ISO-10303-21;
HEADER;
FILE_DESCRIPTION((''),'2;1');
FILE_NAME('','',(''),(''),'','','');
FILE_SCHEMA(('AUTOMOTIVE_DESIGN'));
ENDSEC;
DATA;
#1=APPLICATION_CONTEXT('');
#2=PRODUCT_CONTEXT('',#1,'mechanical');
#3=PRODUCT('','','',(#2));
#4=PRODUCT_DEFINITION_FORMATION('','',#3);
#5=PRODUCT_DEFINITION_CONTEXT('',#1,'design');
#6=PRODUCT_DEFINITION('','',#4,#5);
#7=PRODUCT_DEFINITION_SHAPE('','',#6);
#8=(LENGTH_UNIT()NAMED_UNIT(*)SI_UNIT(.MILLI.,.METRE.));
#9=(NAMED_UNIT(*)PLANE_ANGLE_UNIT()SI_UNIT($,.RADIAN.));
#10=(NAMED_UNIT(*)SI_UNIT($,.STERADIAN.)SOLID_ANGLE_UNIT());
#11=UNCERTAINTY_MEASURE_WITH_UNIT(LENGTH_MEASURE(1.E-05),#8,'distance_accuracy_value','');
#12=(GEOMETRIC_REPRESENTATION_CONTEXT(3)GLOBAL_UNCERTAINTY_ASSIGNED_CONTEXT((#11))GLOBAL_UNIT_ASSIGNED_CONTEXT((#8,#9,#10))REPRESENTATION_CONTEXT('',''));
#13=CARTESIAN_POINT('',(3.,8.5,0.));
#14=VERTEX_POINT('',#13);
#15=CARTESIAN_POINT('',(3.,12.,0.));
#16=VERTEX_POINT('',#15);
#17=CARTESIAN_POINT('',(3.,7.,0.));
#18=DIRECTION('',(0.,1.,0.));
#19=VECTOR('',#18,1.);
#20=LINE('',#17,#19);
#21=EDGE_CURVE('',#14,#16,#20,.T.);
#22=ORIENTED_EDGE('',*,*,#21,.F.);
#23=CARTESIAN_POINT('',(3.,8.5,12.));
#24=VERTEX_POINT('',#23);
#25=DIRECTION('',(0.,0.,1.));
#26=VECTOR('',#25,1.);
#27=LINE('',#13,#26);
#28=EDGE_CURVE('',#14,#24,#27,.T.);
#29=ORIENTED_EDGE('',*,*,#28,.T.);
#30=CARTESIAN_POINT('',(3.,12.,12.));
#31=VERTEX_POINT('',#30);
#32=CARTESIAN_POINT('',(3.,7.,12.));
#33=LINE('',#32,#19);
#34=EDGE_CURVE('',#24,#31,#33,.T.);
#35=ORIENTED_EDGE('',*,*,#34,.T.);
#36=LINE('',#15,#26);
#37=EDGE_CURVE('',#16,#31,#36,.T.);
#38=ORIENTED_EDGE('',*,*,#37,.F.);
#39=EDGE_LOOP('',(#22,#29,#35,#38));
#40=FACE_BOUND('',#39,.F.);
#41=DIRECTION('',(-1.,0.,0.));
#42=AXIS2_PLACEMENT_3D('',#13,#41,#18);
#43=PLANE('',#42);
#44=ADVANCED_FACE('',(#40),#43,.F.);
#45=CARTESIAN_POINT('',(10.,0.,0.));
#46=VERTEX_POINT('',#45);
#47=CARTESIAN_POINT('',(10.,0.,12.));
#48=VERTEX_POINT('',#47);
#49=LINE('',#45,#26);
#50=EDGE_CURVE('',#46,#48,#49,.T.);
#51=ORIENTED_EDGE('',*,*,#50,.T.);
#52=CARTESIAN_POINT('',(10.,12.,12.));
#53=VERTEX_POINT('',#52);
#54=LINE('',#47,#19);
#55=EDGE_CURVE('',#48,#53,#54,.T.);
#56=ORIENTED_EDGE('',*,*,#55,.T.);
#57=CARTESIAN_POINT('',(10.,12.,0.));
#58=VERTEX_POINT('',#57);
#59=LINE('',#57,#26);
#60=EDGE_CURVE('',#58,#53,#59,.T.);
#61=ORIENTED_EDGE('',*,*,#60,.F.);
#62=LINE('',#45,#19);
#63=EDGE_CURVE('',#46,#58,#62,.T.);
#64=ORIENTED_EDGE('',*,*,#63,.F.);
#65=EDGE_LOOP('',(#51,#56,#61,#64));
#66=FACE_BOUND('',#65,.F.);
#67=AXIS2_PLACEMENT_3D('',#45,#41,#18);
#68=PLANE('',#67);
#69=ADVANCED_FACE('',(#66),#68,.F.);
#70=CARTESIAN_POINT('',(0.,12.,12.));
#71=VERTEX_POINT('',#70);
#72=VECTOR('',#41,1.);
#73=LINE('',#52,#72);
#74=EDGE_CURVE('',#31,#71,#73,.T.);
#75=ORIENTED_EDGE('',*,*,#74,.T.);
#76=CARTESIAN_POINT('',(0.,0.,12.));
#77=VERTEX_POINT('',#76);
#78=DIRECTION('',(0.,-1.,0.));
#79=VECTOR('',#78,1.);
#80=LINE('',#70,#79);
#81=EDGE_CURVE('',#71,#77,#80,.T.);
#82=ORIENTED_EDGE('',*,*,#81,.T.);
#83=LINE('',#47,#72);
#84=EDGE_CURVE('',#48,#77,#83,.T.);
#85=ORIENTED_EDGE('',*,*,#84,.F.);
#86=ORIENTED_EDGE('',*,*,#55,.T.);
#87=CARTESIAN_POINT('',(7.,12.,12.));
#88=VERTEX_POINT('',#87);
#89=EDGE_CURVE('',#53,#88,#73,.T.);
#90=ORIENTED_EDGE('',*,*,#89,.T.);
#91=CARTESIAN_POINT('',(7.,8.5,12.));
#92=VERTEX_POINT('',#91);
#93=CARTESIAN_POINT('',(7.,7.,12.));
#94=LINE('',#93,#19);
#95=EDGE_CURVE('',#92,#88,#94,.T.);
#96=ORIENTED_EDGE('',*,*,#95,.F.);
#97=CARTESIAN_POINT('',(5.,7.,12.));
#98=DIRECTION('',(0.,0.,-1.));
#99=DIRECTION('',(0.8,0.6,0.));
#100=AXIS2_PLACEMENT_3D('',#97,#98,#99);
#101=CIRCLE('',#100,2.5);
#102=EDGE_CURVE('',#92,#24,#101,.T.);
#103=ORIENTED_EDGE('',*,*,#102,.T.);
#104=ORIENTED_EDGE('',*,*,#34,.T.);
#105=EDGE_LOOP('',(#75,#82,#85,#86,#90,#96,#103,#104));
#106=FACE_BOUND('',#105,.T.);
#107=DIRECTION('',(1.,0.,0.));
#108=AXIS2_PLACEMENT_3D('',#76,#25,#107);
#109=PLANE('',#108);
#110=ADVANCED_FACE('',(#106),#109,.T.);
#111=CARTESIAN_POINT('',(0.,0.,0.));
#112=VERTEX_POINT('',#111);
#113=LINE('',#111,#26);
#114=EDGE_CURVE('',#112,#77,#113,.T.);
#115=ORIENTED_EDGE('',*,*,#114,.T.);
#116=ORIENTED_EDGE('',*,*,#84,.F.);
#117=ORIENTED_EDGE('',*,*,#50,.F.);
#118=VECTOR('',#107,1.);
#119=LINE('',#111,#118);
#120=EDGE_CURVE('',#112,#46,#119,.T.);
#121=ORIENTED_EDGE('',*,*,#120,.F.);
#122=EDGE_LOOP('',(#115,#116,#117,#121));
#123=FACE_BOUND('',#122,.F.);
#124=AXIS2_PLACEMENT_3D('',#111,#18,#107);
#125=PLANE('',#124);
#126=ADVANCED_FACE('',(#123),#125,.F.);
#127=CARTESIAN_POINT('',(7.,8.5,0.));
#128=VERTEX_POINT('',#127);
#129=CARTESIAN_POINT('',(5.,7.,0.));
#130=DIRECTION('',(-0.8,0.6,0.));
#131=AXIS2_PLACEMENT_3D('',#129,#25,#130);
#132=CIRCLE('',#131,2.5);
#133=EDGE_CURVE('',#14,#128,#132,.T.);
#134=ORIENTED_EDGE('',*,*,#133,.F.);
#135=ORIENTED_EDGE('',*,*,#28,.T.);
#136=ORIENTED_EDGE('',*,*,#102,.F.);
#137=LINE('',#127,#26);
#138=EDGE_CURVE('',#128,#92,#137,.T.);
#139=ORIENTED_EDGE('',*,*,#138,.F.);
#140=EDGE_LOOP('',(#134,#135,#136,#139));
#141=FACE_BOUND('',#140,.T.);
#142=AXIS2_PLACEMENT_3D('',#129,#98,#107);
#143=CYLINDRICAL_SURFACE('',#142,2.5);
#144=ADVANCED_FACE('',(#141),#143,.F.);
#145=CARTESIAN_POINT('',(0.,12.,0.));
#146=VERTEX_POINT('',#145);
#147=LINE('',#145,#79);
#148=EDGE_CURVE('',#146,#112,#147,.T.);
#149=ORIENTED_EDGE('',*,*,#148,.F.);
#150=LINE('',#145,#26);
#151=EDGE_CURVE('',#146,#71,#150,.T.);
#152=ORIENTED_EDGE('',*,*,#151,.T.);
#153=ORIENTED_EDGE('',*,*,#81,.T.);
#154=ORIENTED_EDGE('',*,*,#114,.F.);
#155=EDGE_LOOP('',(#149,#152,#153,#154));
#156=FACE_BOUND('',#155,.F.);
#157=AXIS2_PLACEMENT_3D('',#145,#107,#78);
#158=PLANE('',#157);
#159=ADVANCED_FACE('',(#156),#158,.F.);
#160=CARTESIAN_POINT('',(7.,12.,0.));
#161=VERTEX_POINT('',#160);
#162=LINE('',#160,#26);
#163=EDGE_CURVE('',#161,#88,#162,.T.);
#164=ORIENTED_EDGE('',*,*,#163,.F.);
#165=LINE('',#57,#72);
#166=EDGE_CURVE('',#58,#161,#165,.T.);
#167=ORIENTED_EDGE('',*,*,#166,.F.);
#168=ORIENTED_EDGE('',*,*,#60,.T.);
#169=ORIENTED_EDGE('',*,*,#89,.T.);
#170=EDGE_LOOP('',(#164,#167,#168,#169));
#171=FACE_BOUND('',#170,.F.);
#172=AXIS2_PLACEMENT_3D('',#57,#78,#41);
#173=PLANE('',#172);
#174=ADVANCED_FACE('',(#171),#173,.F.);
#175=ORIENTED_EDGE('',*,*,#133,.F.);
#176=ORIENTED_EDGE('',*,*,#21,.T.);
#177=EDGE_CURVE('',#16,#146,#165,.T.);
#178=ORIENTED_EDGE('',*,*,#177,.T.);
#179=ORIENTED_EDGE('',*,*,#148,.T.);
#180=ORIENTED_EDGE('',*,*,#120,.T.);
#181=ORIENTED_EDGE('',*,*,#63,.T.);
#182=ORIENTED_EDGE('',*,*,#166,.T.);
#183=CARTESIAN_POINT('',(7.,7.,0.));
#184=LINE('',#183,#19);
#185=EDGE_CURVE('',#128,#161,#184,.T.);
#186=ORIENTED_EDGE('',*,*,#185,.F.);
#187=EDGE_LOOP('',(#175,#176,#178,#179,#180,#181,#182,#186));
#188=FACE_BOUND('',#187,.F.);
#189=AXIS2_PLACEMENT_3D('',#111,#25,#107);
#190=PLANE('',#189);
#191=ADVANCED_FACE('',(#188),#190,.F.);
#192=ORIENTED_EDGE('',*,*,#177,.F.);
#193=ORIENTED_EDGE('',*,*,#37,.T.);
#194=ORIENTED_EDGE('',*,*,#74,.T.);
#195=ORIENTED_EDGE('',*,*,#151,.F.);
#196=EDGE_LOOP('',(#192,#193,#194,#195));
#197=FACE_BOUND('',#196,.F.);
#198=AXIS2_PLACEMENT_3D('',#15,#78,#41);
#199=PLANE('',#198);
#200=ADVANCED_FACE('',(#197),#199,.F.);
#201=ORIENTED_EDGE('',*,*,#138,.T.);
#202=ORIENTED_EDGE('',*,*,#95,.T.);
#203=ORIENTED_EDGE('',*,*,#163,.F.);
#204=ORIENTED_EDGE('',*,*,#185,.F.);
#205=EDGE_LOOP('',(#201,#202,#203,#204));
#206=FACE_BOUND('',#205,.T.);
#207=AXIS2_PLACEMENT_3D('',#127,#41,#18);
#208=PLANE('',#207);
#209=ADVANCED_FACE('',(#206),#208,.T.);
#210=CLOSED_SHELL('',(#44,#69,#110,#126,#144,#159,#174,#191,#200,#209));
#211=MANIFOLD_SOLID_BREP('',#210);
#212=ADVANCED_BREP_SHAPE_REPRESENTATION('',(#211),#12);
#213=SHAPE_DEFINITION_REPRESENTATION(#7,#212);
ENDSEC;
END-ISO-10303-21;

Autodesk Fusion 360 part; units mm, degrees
sketch "Sketch1" plane through (0, 0, 0) normal (0, 0, 1) x (1, 0, 0)
  line L0 (0, 0) -> (10, 0)
  line L1 (10, 0) -> (10, 12)
  line L2 (10, 12) -> (0, 12)
  line L3 (0, 12) -> (0, 0)
  line L4 (5, 0) -> (5, 7)
  circle A0 centre (5, 7) radius 2.5
  line L5 (5, 7) -> (7, 7)
  line L6 (7, 7) -> (7, 12)
  line L7 (3, 7) -> (3, 12)
  dimension "d1" = 10
  dimension "d2" = 12
  dimension "d3" = 7
  dimension "d4" = 5
  dimension "d5" = 2
extrude "Extrude1" add sketch "Sketch1" along normal blind 12 contours L0 L2 L3 L4 A0 L7 | L0 L1 L2 L4 A0 L6
